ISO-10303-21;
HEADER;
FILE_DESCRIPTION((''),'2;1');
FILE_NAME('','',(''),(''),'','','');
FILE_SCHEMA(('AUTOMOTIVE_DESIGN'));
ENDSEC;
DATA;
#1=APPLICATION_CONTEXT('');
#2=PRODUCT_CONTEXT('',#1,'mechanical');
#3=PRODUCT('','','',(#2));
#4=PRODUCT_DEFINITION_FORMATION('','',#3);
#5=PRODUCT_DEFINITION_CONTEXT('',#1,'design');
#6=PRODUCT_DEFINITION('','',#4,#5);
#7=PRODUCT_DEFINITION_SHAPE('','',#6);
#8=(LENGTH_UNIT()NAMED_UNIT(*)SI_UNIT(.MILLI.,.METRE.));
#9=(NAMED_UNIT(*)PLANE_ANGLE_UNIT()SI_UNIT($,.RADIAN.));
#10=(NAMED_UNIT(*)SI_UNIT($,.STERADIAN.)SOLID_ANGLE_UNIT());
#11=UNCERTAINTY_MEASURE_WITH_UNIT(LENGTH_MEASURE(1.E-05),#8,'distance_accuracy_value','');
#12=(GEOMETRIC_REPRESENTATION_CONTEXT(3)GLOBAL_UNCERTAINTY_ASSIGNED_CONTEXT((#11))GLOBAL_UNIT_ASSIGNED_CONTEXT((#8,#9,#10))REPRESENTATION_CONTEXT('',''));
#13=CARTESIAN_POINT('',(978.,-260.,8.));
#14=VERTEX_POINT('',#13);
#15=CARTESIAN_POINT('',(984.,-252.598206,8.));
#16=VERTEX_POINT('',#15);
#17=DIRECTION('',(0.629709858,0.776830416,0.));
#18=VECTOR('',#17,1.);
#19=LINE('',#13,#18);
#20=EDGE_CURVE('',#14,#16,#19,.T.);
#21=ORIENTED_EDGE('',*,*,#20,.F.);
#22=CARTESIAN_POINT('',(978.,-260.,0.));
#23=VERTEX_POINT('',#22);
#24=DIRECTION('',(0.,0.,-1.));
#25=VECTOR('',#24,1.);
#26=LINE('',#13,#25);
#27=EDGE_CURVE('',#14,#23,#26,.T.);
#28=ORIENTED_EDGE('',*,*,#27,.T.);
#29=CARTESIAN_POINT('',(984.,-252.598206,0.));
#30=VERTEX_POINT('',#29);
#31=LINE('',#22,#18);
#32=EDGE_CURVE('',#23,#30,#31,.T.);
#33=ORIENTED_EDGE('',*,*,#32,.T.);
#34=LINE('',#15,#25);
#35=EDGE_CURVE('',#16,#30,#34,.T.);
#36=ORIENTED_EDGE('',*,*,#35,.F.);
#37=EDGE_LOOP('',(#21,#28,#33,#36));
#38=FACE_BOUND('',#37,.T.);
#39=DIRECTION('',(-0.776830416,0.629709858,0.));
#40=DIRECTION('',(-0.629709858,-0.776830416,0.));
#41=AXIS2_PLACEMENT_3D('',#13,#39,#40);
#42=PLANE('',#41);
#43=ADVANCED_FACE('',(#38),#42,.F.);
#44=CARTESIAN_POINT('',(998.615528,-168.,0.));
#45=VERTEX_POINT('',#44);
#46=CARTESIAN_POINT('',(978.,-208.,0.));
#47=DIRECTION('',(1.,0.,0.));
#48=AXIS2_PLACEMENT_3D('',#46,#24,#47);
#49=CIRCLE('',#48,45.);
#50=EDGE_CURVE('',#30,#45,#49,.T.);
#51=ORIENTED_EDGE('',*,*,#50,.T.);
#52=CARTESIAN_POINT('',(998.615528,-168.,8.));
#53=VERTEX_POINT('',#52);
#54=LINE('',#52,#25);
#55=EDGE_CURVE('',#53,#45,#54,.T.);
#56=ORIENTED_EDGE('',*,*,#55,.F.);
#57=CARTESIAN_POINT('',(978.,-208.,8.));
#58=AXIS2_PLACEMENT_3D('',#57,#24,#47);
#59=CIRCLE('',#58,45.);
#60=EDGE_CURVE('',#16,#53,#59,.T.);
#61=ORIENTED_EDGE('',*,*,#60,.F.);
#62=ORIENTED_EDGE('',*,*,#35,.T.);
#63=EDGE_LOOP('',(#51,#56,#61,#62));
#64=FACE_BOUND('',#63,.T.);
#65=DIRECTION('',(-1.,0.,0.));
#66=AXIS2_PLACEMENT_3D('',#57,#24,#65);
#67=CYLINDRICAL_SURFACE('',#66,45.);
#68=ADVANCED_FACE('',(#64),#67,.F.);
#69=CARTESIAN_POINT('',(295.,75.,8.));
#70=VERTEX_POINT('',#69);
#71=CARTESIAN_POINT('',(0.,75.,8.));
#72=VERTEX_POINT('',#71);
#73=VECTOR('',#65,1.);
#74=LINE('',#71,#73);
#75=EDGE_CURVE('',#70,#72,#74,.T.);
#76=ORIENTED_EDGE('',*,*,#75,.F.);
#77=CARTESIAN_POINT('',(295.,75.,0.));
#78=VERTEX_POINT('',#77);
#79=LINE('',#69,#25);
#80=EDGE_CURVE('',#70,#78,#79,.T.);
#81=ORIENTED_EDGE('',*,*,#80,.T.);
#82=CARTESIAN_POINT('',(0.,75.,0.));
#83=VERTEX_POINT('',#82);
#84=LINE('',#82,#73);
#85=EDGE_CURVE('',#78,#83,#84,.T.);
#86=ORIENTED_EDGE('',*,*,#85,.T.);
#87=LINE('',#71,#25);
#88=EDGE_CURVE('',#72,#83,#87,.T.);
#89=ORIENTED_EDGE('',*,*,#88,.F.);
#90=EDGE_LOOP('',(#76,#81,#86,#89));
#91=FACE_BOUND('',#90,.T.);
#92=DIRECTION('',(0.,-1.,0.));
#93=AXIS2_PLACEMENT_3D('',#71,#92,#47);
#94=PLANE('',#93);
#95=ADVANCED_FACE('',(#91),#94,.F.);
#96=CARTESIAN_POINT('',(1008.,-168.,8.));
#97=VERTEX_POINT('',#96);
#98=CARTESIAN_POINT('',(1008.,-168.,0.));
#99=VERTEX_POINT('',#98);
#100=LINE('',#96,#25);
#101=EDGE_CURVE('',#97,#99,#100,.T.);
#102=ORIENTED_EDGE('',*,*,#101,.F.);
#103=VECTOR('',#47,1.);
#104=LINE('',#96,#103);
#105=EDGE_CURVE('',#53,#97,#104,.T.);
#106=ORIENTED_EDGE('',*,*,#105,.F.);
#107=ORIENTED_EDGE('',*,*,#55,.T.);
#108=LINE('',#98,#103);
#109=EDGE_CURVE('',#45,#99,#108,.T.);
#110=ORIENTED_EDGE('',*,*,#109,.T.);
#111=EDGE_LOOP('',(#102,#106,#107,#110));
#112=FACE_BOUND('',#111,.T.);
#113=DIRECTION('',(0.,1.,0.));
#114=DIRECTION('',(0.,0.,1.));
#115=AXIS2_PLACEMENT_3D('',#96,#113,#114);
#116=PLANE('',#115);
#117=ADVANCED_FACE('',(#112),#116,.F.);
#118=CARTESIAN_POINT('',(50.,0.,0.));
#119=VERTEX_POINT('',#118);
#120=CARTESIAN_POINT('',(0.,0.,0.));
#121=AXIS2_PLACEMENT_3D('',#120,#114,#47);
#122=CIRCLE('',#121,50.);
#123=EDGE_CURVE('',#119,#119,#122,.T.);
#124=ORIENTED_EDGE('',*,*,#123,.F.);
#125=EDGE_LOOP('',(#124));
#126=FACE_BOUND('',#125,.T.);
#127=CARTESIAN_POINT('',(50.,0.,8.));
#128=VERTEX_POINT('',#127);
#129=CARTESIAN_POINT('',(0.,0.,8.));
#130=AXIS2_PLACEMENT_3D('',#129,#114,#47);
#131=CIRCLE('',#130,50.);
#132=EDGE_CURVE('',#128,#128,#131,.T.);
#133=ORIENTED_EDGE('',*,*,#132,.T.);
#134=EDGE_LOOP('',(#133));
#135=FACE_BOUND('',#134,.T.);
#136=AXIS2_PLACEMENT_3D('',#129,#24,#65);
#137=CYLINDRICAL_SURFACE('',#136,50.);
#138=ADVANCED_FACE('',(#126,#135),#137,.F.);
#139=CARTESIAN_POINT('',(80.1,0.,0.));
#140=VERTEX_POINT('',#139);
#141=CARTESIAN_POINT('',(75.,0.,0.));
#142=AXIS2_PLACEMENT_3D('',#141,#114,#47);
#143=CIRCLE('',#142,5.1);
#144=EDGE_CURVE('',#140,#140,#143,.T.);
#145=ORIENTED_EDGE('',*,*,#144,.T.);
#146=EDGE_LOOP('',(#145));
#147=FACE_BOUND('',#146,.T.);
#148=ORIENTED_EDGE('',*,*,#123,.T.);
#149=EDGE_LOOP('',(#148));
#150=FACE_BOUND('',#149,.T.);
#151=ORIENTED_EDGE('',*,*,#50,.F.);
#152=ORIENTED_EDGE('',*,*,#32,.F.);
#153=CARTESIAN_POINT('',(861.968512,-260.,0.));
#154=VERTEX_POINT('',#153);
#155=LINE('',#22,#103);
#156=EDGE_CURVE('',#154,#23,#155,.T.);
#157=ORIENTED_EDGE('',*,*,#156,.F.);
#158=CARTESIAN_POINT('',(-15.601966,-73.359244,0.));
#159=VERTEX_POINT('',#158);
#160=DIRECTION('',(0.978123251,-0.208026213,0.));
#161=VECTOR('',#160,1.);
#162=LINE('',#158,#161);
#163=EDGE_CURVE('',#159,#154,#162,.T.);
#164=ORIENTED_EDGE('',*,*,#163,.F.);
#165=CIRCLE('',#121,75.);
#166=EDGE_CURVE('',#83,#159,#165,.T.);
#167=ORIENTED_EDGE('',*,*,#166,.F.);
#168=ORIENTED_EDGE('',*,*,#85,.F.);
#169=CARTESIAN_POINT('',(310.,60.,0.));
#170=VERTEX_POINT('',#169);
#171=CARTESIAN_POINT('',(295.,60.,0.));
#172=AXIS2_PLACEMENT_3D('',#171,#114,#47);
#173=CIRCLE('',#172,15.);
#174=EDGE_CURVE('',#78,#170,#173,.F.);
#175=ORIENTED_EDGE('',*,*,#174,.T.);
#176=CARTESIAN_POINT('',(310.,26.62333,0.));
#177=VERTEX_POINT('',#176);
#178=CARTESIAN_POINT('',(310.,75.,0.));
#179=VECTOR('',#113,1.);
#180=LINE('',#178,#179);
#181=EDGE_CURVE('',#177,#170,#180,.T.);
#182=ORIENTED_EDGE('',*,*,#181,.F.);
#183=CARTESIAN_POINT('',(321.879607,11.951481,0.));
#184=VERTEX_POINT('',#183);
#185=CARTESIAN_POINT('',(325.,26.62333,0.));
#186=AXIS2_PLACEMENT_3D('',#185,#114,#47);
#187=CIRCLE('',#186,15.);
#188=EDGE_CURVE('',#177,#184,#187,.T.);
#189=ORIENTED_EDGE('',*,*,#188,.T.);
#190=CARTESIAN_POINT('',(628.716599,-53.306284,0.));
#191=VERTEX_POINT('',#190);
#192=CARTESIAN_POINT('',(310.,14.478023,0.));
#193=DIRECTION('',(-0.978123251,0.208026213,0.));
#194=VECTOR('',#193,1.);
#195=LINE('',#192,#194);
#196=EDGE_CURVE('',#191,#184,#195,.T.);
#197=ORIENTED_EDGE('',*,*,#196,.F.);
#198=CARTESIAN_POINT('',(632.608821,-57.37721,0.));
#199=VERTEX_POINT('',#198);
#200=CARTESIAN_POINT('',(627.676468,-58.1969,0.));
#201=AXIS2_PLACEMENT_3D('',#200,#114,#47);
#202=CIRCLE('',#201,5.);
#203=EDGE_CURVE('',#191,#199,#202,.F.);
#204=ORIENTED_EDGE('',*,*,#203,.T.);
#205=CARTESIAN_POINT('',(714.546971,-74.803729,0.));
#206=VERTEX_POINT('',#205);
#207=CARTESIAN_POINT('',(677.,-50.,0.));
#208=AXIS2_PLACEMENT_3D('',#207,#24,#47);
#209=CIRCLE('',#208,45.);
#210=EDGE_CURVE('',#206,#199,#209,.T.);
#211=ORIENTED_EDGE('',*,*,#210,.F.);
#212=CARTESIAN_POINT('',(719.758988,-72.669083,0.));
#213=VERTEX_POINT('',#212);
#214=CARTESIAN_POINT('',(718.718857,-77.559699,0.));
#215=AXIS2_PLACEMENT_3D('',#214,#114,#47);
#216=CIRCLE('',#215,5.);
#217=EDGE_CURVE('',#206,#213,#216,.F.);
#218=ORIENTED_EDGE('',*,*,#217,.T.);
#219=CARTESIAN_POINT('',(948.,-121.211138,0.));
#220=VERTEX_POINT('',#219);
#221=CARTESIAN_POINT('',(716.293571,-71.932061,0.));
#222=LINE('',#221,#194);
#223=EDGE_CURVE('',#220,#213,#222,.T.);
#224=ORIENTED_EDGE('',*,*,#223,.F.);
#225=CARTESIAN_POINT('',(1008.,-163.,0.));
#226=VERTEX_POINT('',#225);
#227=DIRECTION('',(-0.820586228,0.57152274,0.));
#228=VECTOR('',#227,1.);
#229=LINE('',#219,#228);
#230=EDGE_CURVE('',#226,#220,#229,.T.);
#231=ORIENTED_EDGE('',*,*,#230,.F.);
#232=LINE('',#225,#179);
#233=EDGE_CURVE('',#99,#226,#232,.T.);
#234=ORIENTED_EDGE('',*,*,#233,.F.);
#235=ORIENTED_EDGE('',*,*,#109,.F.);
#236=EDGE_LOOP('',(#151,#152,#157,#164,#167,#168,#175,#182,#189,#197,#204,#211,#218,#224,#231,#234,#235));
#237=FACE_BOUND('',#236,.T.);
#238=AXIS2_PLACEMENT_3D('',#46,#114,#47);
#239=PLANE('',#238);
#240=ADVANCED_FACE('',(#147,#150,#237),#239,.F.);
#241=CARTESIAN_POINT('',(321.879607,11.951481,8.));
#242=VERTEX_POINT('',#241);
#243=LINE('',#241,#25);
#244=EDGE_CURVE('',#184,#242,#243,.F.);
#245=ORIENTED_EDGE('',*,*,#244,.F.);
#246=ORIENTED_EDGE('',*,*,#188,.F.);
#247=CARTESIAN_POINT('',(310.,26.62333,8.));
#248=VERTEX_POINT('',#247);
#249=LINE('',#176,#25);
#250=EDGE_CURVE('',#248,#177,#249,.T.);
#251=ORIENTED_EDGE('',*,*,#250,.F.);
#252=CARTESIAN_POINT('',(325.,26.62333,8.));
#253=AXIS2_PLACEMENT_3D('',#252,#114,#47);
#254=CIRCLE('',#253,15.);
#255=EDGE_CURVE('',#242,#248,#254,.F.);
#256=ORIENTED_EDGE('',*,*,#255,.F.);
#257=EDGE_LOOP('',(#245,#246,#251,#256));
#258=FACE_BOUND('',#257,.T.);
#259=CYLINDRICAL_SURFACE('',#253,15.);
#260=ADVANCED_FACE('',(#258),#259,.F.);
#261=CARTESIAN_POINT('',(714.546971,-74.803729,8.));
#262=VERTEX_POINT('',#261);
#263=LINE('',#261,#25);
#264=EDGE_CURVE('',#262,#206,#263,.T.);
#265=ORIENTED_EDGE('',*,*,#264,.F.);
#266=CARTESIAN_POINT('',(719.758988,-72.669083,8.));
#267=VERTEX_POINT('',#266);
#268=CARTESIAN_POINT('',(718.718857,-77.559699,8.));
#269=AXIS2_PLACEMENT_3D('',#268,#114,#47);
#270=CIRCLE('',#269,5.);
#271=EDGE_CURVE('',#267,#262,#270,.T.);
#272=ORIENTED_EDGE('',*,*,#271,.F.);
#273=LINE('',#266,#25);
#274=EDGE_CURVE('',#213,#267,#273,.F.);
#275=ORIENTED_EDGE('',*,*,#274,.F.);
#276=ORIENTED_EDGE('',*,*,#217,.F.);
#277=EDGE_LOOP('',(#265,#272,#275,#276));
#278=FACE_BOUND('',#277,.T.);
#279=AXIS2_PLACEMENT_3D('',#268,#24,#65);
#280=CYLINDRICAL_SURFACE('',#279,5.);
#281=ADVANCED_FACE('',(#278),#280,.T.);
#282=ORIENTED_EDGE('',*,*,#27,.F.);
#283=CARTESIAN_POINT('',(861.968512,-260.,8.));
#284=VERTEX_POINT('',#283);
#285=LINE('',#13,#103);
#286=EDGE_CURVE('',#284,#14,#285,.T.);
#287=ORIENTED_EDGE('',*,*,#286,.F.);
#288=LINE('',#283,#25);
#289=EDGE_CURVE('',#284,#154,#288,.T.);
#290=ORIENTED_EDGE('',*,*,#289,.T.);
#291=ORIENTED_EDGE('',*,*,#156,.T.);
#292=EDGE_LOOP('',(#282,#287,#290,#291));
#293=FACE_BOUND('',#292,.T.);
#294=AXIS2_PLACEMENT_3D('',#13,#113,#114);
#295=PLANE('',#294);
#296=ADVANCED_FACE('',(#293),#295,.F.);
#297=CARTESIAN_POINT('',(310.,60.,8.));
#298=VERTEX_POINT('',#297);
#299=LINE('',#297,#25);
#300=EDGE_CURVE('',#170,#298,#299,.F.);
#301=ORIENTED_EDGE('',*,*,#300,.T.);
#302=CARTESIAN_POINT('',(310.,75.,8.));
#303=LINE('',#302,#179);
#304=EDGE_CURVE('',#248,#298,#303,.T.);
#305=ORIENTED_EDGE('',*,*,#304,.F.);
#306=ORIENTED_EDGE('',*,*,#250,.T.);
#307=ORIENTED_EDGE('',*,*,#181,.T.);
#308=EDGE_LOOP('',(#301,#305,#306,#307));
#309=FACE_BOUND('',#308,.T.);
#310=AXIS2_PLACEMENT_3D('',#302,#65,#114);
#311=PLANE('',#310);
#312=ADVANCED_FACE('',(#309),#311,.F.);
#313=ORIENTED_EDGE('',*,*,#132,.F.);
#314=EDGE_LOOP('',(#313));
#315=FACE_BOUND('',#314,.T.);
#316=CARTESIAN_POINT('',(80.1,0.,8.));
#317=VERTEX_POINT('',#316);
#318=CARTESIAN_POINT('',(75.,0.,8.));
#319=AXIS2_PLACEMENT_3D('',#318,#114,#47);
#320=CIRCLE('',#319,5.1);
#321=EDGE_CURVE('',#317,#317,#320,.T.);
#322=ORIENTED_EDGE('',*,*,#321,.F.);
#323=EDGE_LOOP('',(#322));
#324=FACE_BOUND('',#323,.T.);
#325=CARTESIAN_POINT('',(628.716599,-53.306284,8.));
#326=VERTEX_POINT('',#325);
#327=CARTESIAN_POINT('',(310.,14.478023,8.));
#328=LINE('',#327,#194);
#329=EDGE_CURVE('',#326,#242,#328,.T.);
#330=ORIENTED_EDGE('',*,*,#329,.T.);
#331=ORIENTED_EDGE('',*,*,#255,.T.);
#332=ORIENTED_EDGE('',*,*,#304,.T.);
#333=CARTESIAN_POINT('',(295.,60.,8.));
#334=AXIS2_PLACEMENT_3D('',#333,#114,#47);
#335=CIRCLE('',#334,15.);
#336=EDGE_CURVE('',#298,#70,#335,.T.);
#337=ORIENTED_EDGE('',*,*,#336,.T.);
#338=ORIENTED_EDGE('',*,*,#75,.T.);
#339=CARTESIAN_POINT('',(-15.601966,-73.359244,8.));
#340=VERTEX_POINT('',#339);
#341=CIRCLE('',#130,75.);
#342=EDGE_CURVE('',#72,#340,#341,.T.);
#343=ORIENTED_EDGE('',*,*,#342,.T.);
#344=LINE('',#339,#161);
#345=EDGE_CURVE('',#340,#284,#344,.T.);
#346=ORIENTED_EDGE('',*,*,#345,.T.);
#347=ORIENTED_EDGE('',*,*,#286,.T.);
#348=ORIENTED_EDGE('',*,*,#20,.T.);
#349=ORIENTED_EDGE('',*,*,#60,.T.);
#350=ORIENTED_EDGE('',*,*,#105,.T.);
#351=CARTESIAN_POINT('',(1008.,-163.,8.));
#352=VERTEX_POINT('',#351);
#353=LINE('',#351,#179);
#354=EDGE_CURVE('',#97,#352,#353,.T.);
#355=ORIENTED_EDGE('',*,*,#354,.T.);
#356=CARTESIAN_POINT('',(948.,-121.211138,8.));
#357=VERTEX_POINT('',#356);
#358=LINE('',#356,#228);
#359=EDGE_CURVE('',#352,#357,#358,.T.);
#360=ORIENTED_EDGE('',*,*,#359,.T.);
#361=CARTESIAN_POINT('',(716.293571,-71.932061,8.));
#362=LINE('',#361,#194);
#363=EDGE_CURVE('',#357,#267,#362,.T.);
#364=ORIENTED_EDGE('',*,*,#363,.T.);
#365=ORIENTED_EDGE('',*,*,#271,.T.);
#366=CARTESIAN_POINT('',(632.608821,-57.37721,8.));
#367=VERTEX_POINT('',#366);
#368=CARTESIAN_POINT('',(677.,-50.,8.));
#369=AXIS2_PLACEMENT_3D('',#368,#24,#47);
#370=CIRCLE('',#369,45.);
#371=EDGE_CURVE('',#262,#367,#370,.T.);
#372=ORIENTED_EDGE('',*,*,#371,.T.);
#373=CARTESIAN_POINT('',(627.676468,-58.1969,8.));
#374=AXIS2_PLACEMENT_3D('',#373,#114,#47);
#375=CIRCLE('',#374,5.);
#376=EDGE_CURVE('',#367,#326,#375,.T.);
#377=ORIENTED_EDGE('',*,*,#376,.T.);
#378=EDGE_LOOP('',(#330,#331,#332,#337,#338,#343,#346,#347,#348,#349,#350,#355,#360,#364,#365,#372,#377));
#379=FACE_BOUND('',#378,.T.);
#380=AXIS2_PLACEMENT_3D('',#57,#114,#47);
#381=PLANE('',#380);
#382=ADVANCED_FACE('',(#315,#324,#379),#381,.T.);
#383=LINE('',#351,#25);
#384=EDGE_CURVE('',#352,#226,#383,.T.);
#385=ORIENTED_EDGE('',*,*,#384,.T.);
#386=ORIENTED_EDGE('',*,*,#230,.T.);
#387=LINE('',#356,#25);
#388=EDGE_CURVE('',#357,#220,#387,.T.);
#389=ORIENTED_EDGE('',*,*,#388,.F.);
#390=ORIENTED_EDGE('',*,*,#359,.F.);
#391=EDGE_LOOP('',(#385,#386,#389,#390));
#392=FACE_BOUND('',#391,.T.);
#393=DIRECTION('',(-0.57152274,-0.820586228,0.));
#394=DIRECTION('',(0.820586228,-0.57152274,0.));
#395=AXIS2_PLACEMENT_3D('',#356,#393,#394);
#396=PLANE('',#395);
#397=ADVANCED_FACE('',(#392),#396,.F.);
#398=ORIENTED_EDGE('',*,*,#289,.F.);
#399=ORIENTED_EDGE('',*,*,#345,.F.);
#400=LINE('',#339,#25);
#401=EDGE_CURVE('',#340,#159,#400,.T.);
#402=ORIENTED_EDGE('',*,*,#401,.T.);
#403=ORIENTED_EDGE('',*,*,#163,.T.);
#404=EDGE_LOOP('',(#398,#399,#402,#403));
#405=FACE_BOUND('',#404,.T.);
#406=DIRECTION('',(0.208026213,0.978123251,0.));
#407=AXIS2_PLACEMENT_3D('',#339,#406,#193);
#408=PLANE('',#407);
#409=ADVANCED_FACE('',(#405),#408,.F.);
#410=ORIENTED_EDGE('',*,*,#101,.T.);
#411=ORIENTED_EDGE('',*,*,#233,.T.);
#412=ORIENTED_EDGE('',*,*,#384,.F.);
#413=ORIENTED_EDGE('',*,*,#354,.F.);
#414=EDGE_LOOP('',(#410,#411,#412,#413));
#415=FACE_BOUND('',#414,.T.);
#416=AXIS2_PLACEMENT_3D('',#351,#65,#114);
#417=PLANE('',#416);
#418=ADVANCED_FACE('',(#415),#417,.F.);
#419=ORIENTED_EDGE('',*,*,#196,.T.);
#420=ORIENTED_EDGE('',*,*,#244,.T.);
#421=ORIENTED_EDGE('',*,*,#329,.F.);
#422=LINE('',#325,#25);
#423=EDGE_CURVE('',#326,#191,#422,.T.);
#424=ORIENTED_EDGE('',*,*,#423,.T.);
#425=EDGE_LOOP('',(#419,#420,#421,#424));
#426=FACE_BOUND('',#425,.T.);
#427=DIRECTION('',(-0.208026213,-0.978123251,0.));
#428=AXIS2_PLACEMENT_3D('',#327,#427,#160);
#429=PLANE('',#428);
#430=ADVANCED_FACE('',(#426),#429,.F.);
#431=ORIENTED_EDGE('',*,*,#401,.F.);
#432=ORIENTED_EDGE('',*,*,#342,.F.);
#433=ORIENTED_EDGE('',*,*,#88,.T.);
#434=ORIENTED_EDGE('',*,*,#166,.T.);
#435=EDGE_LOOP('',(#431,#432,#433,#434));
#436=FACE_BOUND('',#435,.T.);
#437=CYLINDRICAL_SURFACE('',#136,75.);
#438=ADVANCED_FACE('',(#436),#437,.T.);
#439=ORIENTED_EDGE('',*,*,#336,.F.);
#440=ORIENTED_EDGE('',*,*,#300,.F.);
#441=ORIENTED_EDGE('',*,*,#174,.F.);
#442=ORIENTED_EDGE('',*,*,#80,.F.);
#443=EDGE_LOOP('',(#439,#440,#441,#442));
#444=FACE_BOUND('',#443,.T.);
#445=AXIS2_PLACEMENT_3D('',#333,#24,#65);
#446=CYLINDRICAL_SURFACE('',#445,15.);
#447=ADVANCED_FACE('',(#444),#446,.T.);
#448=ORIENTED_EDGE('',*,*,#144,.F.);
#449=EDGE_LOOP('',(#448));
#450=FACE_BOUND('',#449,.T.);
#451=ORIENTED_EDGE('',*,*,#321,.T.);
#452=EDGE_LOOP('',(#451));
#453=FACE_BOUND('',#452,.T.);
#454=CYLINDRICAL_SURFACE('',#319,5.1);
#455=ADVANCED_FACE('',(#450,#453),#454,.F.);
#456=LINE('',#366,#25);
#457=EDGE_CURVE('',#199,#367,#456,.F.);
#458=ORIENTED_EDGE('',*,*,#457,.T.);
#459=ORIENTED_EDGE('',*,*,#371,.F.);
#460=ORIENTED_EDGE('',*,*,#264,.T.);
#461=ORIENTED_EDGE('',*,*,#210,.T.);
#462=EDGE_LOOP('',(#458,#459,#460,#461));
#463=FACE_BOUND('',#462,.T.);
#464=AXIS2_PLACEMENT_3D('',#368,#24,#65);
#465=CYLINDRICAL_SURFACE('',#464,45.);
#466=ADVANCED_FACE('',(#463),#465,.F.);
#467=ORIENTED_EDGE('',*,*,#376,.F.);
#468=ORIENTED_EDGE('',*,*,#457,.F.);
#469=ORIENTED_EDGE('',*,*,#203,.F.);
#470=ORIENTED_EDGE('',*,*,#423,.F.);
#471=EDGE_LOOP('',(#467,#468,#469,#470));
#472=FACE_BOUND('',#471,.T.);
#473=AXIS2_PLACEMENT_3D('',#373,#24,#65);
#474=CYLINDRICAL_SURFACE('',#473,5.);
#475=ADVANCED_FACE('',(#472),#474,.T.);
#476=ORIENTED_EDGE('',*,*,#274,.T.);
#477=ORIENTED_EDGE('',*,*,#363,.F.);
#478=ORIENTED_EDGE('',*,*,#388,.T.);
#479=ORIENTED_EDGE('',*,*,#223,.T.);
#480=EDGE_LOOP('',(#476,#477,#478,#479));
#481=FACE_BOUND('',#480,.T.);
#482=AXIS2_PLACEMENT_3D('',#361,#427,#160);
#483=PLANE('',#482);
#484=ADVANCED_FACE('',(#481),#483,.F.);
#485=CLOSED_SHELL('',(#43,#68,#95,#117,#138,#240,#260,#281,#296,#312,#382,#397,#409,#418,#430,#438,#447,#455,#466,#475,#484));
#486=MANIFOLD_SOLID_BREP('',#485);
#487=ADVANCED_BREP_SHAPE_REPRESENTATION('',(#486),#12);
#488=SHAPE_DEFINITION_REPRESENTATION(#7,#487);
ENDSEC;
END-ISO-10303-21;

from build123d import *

# Parameters (mm, degrees)
SKETCH_1_R          = 50
EXTRUDE_1_DEPTH     = 8
FILLET_1_R          = 15
HOLE_WIZARD_M12_1_D = 10.2
FILLET_2_R          = 5


with BuildPart() as part:
    # 草图1 → 凸台-拉伸1 (new body)
    with BuildSketch(Plane.XY):
        with BuildLine():
            Line((0, 75), (310, 75))
            Line((310, 75), (310, 14.478023217))
            Line((310, 14.478023217), (632.18201609, -54.043305358))
            ThreePointArc((632.18201609, -54.043305358), (667.638820417, -94.015546308), (716.293570548, -71.932061317))
            Line((716.293570548, -71.932061317), (948, -121.211138337))
            Line((948, -121.211138337), (1008, -163))
            Line((1008, -163), (1008, -168))
            Line((1008, -168), (998.615528128, -168))
            ThreePointArc((998.615528128, -168), (933.656897839, -200.339106398), (984, -252.598206242))
            Line((984, -252.598206242), (978, -260))
            Line((978, -260), (861.968512478, -260))
            Line((861.968512478, -260), (-15.601965972, -73.359243847))
            ThreePointArc((-15.601965972, -73.359243847), (-74.588683084, 7.844001258), (0, 75))
        make_face()
        Circle(SKETCH_1_R, mode=Mode.SUBTRACT)
    extrude(amount=EXTRUDE_1_DEPTH)

    # 圆角1
    fillet_1_edges = [part.edges().sort_by_distance(p)[0] for p in [
        (310, 75, 4),
        (310, 14.478023217, 4),
    ]]
    fillet(fillet_1_edges, radius=FILLET_1_R)

    # M12 螺纹孔1 (through all)
    with Locations(Plane.XY.offset(8)):
        with Locations((75, 0)):
            Hole(HOLE_WIZARD_M12_1_D / 2)

    # 圆角2
    fillet_2_edges = [part.edges().sort_by_distance(p)[0] for p in [
        (632.18201609, -54.043305358, 4),
        (716.293570548, -71.932061317, 4),
    ]]
    fillet(fillet_2_edges, radius=FILLET_2_R)


solid = part.part
